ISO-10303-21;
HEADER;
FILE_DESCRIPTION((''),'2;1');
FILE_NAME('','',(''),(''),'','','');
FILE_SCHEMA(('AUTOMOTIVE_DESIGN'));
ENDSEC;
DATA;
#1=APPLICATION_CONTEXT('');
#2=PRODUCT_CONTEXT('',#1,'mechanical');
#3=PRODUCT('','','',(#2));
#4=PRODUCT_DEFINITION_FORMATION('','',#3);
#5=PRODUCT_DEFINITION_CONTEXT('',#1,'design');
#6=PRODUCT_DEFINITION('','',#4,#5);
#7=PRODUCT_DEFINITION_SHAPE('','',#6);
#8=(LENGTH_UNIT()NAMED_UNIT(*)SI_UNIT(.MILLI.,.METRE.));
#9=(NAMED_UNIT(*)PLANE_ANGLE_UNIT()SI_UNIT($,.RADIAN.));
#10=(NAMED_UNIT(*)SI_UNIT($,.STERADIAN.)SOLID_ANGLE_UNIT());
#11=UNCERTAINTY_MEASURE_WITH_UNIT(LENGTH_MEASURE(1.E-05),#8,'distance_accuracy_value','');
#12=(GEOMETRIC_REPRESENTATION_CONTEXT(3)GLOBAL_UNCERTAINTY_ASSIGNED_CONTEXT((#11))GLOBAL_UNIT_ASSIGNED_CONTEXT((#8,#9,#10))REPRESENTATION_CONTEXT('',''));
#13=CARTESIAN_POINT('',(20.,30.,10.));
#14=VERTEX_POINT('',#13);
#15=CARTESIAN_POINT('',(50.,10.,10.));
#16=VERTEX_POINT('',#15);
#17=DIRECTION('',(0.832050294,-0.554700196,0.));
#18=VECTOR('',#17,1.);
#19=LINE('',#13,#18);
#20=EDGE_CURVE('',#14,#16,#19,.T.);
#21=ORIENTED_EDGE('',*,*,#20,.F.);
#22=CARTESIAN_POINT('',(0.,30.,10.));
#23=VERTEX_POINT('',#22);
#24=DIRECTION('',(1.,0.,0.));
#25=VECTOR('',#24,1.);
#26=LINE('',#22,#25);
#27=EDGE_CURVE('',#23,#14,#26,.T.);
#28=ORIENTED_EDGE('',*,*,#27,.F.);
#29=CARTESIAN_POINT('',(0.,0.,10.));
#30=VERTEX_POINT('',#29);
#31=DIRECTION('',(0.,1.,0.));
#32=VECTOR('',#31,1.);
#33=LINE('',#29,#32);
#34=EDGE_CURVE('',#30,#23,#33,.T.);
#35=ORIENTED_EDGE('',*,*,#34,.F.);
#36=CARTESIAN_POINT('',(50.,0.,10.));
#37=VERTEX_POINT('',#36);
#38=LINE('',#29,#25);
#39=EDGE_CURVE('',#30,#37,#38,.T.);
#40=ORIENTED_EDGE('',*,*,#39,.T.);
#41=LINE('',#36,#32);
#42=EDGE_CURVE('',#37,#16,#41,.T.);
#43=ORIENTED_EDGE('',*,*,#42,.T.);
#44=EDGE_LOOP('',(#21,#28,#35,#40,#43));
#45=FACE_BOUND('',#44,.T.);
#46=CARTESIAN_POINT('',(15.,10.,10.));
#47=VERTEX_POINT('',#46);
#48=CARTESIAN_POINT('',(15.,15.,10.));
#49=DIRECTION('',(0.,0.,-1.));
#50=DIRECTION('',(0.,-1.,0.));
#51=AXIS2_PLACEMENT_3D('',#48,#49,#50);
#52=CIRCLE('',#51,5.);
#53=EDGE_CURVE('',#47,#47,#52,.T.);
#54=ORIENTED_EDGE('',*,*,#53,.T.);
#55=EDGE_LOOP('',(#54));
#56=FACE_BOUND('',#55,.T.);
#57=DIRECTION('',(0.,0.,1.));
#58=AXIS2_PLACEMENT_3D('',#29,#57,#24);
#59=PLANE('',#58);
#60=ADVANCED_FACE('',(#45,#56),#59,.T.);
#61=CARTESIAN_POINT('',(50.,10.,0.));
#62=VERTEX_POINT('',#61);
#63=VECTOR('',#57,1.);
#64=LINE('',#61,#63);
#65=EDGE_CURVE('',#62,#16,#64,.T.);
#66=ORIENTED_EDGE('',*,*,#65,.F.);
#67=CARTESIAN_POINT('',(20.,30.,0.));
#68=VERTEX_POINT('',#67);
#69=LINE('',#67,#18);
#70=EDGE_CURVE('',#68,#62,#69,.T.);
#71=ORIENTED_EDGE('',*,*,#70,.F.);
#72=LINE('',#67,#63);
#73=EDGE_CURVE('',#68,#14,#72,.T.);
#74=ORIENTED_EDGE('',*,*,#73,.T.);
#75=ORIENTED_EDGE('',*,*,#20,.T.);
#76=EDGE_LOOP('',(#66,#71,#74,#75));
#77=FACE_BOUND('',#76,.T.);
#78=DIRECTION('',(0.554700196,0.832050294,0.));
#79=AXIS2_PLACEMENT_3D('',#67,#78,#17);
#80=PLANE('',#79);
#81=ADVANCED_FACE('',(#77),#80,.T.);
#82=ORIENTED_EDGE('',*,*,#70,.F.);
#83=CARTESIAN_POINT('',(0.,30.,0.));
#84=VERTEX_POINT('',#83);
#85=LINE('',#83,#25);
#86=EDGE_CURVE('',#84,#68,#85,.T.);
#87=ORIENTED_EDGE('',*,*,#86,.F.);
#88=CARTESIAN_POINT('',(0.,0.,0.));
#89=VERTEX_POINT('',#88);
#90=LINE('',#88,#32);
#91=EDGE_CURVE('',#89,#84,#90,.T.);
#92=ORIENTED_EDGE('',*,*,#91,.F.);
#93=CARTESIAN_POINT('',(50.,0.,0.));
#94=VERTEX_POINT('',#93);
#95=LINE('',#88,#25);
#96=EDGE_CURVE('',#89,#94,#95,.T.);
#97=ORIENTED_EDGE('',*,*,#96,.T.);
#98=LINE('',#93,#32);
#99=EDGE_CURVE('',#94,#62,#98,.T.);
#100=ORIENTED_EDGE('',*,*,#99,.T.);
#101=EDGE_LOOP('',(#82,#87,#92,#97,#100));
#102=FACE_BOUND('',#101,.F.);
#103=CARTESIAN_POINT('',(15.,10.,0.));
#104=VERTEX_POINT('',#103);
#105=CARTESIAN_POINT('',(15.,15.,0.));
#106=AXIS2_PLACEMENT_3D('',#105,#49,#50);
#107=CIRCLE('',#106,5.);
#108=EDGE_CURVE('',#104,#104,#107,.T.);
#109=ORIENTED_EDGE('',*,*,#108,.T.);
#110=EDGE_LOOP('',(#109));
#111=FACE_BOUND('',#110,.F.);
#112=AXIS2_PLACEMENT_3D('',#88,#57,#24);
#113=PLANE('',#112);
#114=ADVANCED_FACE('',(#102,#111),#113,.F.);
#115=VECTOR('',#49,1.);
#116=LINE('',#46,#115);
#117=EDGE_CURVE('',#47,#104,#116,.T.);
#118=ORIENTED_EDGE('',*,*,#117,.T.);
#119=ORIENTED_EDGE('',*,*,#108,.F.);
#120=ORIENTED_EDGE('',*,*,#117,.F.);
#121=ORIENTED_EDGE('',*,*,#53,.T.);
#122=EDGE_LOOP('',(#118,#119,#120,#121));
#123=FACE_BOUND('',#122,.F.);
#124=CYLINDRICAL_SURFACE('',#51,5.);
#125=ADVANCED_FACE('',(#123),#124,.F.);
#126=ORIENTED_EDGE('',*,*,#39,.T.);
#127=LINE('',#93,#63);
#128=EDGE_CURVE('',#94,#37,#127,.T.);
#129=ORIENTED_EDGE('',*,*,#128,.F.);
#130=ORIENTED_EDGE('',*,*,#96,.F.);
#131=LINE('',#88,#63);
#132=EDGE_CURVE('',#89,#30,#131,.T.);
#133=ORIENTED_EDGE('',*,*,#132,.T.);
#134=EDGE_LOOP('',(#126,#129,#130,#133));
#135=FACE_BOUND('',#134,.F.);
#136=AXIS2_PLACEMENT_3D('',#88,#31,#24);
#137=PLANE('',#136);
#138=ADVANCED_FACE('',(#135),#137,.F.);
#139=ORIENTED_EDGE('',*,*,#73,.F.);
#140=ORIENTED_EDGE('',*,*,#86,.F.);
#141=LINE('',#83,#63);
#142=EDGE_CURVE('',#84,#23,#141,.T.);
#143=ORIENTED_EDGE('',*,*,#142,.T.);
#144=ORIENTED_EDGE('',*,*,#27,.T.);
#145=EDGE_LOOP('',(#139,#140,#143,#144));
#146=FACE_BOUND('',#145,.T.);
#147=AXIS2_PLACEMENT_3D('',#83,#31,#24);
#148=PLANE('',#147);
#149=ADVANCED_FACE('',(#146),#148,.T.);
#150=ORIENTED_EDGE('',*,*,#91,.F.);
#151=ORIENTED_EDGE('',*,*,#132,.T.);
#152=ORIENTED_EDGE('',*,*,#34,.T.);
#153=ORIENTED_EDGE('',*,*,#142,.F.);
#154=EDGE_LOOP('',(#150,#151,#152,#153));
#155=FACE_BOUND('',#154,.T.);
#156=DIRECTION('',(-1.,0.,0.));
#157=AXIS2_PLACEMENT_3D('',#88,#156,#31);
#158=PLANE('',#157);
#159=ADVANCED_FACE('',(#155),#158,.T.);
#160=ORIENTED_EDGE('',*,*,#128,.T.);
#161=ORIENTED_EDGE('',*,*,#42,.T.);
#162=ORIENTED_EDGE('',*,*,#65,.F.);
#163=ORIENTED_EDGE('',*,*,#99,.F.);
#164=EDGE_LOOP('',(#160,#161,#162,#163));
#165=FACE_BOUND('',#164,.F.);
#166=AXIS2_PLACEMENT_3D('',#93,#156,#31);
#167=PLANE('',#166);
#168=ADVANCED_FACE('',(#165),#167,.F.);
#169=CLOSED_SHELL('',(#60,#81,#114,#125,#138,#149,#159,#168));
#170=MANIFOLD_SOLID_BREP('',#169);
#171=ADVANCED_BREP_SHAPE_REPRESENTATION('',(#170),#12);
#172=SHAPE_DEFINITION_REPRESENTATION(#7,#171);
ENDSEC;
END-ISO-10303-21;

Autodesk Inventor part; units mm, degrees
ref_plane "YZ Plane" through (0, 0, 0) normal (1, 0, 0) x (0, 1, 0)
ref_plane "XZ Plane" through (0, 0, 0) normal (0, 1, 0) x (-1, 0, 0)
ref_plane "XY Plane" through (0, 0, 0) normal (0, 0, 1) x (1, 0, 0)
sketch "Esboço1" plane through (0, 0, 0) normal (0, 0, 1) x (1, 0, 0)
  line L0 (0, 0) -> (50, 0)
  line L1 (50, 0) -> (50, 10)
  line L2 (0, 0) -> (0, 30)
  line L3 (0, 30) -> (20, 30)
  line L4 (20, 30) -> (50, 10)
  dimension "d0" = 50
  dimension "d1" = 10
  dimension "d2" = 30
  dimension "d3" = 20
extrude "Extrusão1" add sketch "Esboço1" along normal blind 10
sketch "Esboço2" plane through (0, 0, 10) normal (0, 0, 1) x (1, 0, 0)
  line L0 (0, 30) -> (0, 0) projected
  line L1 (0, 0) -> (50, 0) projected
  point P0 (15, 15)
  dimension "d6" = 15
  dimension "d14" = 15
hole "Furo1" at (15, 15, 10) direction (0, 0, -1) diameter 10 end through all
